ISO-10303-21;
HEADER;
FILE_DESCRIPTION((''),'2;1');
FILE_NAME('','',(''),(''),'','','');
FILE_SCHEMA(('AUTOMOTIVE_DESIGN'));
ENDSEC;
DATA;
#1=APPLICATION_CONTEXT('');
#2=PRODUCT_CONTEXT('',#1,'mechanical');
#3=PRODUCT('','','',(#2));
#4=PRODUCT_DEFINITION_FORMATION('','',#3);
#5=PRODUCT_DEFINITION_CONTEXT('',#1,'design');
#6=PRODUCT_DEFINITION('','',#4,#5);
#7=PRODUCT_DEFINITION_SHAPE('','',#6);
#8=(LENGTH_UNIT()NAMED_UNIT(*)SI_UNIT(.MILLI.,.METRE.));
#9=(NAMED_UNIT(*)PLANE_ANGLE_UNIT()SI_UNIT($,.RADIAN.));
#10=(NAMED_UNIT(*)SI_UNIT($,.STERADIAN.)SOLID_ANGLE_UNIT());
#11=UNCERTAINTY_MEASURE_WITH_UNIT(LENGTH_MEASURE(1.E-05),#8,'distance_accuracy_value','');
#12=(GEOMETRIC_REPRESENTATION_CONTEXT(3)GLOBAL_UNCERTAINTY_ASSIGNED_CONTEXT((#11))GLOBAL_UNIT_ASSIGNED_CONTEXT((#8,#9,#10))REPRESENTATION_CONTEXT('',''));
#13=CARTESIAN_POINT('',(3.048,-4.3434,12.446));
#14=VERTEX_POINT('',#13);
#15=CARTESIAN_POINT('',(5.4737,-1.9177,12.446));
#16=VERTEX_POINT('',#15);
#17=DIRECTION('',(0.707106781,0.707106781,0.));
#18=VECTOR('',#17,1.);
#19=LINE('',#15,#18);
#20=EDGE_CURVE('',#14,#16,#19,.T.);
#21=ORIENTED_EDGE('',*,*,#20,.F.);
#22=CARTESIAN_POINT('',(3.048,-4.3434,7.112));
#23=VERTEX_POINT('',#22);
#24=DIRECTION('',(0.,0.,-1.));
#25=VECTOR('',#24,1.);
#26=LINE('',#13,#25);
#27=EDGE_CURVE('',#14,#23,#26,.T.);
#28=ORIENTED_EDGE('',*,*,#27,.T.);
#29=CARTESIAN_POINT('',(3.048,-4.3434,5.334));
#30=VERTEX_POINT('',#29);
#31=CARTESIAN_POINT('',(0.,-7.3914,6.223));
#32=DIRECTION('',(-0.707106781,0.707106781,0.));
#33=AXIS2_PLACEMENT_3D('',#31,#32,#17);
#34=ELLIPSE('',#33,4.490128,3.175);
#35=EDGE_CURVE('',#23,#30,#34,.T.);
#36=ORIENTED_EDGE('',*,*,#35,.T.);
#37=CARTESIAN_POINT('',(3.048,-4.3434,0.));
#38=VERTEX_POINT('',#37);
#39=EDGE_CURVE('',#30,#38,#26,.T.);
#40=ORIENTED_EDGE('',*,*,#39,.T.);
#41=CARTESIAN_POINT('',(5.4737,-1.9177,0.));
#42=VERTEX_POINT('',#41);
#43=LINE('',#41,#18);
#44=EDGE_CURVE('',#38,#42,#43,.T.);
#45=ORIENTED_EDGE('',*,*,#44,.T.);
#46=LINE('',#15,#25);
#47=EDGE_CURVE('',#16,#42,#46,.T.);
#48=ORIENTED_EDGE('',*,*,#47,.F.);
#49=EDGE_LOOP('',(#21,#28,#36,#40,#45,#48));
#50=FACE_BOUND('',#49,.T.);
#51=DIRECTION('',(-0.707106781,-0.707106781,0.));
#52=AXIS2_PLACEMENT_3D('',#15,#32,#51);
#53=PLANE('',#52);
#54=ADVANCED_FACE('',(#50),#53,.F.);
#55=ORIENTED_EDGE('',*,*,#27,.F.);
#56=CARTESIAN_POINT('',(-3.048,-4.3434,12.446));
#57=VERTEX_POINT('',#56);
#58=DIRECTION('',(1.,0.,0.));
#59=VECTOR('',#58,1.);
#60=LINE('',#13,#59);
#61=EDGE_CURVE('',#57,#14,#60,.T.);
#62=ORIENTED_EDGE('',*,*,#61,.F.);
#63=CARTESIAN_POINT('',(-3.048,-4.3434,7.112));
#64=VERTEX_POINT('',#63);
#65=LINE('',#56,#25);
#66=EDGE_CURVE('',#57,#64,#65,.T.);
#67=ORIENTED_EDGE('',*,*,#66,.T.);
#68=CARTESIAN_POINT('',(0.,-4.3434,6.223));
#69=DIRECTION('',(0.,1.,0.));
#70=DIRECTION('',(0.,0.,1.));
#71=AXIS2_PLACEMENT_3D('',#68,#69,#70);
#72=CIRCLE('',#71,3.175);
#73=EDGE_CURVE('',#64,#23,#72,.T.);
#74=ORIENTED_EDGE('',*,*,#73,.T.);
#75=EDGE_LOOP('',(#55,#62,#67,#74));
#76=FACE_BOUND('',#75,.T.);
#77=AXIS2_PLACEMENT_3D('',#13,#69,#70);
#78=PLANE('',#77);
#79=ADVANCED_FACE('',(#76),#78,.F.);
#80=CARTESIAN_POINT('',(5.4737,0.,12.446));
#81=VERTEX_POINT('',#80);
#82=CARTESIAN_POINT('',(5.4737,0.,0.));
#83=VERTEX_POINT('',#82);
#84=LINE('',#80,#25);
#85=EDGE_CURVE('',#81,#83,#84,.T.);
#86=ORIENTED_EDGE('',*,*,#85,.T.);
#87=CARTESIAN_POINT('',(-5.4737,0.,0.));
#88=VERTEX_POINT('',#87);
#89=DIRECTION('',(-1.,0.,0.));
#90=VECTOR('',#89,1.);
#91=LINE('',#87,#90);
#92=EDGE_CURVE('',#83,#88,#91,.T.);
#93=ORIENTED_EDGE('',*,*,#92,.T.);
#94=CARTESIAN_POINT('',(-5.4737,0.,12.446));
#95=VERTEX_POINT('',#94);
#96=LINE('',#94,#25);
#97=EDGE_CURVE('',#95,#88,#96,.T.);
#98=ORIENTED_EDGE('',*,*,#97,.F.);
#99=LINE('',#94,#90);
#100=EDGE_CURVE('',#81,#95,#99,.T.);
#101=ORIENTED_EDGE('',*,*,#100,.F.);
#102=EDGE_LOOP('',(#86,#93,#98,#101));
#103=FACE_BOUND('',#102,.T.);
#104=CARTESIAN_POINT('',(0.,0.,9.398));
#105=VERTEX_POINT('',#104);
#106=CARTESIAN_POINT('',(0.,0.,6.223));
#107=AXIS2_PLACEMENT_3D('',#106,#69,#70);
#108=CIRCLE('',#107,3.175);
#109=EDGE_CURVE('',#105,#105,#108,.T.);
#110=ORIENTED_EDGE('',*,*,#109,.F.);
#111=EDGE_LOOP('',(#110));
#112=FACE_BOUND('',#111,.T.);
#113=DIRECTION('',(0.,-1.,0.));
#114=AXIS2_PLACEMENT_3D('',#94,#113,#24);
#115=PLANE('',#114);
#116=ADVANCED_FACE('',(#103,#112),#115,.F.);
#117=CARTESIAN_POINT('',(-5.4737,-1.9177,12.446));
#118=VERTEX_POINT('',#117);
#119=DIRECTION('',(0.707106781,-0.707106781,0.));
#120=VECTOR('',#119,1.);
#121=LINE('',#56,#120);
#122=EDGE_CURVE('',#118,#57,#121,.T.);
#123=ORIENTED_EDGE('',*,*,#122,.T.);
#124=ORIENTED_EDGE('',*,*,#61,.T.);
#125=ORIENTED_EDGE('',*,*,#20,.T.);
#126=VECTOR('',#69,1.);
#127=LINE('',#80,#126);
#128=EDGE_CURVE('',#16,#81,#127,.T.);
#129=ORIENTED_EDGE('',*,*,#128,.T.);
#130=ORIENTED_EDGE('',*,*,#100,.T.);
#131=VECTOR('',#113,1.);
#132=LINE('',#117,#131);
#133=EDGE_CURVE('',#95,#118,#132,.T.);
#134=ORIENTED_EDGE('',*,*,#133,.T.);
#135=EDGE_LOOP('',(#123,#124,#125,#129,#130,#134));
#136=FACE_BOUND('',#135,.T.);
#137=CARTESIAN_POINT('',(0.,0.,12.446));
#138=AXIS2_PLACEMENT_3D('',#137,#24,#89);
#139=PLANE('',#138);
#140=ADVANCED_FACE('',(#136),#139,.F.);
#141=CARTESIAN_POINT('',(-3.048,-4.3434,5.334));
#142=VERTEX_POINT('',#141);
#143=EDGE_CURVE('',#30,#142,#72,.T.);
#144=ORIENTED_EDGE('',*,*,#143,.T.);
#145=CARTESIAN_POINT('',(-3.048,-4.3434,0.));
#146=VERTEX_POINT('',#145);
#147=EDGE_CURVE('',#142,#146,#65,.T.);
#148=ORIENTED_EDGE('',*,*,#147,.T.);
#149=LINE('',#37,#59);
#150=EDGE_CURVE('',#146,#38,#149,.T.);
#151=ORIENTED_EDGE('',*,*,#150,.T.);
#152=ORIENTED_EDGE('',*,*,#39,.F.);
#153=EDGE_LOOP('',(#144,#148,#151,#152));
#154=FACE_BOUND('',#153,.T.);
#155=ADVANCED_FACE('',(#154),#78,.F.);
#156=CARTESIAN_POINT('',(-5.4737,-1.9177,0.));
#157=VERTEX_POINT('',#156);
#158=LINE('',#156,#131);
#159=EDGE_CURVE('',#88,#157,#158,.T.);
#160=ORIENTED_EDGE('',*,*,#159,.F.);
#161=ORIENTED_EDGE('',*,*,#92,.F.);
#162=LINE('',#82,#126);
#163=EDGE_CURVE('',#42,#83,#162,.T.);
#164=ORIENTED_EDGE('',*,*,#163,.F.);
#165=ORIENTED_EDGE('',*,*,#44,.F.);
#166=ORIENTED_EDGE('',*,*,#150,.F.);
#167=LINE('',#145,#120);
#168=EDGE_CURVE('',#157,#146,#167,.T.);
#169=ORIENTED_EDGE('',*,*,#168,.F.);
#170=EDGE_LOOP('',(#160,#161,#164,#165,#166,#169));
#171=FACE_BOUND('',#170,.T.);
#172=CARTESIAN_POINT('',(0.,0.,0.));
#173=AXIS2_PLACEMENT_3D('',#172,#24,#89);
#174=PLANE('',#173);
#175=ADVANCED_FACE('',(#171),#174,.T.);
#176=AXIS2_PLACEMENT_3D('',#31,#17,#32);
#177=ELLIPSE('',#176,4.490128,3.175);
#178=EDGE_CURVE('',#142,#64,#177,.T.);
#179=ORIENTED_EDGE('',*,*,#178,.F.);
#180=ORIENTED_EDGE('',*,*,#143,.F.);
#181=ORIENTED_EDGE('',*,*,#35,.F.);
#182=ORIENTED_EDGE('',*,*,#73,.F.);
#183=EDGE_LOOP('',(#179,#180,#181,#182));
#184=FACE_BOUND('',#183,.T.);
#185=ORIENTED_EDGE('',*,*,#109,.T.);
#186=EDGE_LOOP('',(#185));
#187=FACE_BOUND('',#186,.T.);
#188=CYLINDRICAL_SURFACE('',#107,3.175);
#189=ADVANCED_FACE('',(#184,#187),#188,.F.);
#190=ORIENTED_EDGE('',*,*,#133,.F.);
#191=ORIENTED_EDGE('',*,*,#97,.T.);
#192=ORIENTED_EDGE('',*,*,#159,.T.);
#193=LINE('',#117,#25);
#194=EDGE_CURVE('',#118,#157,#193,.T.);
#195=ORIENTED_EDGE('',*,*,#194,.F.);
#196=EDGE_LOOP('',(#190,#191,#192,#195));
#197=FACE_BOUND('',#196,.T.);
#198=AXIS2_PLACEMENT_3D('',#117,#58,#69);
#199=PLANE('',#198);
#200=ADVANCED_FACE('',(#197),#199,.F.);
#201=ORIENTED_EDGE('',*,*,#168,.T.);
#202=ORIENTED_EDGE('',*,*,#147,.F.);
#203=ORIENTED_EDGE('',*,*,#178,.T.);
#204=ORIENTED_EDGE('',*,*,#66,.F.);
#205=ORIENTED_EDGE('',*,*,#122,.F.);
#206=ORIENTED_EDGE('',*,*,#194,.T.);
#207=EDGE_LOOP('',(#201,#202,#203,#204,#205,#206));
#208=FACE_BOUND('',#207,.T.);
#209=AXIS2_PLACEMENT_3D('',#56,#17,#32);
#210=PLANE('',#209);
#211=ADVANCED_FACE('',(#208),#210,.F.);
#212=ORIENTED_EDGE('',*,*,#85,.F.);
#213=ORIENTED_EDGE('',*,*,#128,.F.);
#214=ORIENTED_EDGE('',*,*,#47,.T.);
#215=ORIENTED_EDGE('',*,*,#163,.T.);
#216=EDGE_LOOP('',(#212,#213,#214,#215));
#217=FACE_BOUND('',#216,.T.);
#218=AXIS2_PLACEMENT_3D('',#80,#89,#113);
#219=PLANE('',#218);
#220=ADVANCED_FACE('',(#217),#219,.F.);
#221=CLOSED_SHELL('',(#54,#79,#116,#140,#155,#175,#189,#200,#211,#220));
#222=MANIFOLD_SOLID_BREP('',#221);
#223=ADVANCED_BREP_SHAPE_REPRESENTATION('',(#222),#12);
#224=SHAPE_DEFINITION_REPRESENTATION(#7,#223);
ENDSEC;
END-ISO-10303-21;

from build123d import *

# Parameters (mm, degrees)
BOSS_EXTRUDE1_DEPTH         = 12.446
F_1_4_0_25_DIAMETER_HOLE1_D = 6.35


with BuildPart() as part:
    # Sketch1 → Boss-Extrude1 (new body)
    with BuildSketch(Plane.XY):
        Polygon((-5.4737, 0), (5.4737, 0), (5.4737, -1.9177), (3.048, -4.3434), (-3.048, -4.3434), (-5.4737, -1.9177), align=None)
    extrude(amount=BOSS_EXTRUDE1_DEPTH)

    # 1/4 (0.25) Diameter Hole1 (through all)
    with Locations(Plane(origin=(0, 0, 0), x_dir=(1, 0, 0), z_dir=(0, 1, 0))):
        with Locations((0, -6.223)):
            Hole(F_1_4_0_25_DIAMETER_HOLE1_D / 2)


solid = part.part
